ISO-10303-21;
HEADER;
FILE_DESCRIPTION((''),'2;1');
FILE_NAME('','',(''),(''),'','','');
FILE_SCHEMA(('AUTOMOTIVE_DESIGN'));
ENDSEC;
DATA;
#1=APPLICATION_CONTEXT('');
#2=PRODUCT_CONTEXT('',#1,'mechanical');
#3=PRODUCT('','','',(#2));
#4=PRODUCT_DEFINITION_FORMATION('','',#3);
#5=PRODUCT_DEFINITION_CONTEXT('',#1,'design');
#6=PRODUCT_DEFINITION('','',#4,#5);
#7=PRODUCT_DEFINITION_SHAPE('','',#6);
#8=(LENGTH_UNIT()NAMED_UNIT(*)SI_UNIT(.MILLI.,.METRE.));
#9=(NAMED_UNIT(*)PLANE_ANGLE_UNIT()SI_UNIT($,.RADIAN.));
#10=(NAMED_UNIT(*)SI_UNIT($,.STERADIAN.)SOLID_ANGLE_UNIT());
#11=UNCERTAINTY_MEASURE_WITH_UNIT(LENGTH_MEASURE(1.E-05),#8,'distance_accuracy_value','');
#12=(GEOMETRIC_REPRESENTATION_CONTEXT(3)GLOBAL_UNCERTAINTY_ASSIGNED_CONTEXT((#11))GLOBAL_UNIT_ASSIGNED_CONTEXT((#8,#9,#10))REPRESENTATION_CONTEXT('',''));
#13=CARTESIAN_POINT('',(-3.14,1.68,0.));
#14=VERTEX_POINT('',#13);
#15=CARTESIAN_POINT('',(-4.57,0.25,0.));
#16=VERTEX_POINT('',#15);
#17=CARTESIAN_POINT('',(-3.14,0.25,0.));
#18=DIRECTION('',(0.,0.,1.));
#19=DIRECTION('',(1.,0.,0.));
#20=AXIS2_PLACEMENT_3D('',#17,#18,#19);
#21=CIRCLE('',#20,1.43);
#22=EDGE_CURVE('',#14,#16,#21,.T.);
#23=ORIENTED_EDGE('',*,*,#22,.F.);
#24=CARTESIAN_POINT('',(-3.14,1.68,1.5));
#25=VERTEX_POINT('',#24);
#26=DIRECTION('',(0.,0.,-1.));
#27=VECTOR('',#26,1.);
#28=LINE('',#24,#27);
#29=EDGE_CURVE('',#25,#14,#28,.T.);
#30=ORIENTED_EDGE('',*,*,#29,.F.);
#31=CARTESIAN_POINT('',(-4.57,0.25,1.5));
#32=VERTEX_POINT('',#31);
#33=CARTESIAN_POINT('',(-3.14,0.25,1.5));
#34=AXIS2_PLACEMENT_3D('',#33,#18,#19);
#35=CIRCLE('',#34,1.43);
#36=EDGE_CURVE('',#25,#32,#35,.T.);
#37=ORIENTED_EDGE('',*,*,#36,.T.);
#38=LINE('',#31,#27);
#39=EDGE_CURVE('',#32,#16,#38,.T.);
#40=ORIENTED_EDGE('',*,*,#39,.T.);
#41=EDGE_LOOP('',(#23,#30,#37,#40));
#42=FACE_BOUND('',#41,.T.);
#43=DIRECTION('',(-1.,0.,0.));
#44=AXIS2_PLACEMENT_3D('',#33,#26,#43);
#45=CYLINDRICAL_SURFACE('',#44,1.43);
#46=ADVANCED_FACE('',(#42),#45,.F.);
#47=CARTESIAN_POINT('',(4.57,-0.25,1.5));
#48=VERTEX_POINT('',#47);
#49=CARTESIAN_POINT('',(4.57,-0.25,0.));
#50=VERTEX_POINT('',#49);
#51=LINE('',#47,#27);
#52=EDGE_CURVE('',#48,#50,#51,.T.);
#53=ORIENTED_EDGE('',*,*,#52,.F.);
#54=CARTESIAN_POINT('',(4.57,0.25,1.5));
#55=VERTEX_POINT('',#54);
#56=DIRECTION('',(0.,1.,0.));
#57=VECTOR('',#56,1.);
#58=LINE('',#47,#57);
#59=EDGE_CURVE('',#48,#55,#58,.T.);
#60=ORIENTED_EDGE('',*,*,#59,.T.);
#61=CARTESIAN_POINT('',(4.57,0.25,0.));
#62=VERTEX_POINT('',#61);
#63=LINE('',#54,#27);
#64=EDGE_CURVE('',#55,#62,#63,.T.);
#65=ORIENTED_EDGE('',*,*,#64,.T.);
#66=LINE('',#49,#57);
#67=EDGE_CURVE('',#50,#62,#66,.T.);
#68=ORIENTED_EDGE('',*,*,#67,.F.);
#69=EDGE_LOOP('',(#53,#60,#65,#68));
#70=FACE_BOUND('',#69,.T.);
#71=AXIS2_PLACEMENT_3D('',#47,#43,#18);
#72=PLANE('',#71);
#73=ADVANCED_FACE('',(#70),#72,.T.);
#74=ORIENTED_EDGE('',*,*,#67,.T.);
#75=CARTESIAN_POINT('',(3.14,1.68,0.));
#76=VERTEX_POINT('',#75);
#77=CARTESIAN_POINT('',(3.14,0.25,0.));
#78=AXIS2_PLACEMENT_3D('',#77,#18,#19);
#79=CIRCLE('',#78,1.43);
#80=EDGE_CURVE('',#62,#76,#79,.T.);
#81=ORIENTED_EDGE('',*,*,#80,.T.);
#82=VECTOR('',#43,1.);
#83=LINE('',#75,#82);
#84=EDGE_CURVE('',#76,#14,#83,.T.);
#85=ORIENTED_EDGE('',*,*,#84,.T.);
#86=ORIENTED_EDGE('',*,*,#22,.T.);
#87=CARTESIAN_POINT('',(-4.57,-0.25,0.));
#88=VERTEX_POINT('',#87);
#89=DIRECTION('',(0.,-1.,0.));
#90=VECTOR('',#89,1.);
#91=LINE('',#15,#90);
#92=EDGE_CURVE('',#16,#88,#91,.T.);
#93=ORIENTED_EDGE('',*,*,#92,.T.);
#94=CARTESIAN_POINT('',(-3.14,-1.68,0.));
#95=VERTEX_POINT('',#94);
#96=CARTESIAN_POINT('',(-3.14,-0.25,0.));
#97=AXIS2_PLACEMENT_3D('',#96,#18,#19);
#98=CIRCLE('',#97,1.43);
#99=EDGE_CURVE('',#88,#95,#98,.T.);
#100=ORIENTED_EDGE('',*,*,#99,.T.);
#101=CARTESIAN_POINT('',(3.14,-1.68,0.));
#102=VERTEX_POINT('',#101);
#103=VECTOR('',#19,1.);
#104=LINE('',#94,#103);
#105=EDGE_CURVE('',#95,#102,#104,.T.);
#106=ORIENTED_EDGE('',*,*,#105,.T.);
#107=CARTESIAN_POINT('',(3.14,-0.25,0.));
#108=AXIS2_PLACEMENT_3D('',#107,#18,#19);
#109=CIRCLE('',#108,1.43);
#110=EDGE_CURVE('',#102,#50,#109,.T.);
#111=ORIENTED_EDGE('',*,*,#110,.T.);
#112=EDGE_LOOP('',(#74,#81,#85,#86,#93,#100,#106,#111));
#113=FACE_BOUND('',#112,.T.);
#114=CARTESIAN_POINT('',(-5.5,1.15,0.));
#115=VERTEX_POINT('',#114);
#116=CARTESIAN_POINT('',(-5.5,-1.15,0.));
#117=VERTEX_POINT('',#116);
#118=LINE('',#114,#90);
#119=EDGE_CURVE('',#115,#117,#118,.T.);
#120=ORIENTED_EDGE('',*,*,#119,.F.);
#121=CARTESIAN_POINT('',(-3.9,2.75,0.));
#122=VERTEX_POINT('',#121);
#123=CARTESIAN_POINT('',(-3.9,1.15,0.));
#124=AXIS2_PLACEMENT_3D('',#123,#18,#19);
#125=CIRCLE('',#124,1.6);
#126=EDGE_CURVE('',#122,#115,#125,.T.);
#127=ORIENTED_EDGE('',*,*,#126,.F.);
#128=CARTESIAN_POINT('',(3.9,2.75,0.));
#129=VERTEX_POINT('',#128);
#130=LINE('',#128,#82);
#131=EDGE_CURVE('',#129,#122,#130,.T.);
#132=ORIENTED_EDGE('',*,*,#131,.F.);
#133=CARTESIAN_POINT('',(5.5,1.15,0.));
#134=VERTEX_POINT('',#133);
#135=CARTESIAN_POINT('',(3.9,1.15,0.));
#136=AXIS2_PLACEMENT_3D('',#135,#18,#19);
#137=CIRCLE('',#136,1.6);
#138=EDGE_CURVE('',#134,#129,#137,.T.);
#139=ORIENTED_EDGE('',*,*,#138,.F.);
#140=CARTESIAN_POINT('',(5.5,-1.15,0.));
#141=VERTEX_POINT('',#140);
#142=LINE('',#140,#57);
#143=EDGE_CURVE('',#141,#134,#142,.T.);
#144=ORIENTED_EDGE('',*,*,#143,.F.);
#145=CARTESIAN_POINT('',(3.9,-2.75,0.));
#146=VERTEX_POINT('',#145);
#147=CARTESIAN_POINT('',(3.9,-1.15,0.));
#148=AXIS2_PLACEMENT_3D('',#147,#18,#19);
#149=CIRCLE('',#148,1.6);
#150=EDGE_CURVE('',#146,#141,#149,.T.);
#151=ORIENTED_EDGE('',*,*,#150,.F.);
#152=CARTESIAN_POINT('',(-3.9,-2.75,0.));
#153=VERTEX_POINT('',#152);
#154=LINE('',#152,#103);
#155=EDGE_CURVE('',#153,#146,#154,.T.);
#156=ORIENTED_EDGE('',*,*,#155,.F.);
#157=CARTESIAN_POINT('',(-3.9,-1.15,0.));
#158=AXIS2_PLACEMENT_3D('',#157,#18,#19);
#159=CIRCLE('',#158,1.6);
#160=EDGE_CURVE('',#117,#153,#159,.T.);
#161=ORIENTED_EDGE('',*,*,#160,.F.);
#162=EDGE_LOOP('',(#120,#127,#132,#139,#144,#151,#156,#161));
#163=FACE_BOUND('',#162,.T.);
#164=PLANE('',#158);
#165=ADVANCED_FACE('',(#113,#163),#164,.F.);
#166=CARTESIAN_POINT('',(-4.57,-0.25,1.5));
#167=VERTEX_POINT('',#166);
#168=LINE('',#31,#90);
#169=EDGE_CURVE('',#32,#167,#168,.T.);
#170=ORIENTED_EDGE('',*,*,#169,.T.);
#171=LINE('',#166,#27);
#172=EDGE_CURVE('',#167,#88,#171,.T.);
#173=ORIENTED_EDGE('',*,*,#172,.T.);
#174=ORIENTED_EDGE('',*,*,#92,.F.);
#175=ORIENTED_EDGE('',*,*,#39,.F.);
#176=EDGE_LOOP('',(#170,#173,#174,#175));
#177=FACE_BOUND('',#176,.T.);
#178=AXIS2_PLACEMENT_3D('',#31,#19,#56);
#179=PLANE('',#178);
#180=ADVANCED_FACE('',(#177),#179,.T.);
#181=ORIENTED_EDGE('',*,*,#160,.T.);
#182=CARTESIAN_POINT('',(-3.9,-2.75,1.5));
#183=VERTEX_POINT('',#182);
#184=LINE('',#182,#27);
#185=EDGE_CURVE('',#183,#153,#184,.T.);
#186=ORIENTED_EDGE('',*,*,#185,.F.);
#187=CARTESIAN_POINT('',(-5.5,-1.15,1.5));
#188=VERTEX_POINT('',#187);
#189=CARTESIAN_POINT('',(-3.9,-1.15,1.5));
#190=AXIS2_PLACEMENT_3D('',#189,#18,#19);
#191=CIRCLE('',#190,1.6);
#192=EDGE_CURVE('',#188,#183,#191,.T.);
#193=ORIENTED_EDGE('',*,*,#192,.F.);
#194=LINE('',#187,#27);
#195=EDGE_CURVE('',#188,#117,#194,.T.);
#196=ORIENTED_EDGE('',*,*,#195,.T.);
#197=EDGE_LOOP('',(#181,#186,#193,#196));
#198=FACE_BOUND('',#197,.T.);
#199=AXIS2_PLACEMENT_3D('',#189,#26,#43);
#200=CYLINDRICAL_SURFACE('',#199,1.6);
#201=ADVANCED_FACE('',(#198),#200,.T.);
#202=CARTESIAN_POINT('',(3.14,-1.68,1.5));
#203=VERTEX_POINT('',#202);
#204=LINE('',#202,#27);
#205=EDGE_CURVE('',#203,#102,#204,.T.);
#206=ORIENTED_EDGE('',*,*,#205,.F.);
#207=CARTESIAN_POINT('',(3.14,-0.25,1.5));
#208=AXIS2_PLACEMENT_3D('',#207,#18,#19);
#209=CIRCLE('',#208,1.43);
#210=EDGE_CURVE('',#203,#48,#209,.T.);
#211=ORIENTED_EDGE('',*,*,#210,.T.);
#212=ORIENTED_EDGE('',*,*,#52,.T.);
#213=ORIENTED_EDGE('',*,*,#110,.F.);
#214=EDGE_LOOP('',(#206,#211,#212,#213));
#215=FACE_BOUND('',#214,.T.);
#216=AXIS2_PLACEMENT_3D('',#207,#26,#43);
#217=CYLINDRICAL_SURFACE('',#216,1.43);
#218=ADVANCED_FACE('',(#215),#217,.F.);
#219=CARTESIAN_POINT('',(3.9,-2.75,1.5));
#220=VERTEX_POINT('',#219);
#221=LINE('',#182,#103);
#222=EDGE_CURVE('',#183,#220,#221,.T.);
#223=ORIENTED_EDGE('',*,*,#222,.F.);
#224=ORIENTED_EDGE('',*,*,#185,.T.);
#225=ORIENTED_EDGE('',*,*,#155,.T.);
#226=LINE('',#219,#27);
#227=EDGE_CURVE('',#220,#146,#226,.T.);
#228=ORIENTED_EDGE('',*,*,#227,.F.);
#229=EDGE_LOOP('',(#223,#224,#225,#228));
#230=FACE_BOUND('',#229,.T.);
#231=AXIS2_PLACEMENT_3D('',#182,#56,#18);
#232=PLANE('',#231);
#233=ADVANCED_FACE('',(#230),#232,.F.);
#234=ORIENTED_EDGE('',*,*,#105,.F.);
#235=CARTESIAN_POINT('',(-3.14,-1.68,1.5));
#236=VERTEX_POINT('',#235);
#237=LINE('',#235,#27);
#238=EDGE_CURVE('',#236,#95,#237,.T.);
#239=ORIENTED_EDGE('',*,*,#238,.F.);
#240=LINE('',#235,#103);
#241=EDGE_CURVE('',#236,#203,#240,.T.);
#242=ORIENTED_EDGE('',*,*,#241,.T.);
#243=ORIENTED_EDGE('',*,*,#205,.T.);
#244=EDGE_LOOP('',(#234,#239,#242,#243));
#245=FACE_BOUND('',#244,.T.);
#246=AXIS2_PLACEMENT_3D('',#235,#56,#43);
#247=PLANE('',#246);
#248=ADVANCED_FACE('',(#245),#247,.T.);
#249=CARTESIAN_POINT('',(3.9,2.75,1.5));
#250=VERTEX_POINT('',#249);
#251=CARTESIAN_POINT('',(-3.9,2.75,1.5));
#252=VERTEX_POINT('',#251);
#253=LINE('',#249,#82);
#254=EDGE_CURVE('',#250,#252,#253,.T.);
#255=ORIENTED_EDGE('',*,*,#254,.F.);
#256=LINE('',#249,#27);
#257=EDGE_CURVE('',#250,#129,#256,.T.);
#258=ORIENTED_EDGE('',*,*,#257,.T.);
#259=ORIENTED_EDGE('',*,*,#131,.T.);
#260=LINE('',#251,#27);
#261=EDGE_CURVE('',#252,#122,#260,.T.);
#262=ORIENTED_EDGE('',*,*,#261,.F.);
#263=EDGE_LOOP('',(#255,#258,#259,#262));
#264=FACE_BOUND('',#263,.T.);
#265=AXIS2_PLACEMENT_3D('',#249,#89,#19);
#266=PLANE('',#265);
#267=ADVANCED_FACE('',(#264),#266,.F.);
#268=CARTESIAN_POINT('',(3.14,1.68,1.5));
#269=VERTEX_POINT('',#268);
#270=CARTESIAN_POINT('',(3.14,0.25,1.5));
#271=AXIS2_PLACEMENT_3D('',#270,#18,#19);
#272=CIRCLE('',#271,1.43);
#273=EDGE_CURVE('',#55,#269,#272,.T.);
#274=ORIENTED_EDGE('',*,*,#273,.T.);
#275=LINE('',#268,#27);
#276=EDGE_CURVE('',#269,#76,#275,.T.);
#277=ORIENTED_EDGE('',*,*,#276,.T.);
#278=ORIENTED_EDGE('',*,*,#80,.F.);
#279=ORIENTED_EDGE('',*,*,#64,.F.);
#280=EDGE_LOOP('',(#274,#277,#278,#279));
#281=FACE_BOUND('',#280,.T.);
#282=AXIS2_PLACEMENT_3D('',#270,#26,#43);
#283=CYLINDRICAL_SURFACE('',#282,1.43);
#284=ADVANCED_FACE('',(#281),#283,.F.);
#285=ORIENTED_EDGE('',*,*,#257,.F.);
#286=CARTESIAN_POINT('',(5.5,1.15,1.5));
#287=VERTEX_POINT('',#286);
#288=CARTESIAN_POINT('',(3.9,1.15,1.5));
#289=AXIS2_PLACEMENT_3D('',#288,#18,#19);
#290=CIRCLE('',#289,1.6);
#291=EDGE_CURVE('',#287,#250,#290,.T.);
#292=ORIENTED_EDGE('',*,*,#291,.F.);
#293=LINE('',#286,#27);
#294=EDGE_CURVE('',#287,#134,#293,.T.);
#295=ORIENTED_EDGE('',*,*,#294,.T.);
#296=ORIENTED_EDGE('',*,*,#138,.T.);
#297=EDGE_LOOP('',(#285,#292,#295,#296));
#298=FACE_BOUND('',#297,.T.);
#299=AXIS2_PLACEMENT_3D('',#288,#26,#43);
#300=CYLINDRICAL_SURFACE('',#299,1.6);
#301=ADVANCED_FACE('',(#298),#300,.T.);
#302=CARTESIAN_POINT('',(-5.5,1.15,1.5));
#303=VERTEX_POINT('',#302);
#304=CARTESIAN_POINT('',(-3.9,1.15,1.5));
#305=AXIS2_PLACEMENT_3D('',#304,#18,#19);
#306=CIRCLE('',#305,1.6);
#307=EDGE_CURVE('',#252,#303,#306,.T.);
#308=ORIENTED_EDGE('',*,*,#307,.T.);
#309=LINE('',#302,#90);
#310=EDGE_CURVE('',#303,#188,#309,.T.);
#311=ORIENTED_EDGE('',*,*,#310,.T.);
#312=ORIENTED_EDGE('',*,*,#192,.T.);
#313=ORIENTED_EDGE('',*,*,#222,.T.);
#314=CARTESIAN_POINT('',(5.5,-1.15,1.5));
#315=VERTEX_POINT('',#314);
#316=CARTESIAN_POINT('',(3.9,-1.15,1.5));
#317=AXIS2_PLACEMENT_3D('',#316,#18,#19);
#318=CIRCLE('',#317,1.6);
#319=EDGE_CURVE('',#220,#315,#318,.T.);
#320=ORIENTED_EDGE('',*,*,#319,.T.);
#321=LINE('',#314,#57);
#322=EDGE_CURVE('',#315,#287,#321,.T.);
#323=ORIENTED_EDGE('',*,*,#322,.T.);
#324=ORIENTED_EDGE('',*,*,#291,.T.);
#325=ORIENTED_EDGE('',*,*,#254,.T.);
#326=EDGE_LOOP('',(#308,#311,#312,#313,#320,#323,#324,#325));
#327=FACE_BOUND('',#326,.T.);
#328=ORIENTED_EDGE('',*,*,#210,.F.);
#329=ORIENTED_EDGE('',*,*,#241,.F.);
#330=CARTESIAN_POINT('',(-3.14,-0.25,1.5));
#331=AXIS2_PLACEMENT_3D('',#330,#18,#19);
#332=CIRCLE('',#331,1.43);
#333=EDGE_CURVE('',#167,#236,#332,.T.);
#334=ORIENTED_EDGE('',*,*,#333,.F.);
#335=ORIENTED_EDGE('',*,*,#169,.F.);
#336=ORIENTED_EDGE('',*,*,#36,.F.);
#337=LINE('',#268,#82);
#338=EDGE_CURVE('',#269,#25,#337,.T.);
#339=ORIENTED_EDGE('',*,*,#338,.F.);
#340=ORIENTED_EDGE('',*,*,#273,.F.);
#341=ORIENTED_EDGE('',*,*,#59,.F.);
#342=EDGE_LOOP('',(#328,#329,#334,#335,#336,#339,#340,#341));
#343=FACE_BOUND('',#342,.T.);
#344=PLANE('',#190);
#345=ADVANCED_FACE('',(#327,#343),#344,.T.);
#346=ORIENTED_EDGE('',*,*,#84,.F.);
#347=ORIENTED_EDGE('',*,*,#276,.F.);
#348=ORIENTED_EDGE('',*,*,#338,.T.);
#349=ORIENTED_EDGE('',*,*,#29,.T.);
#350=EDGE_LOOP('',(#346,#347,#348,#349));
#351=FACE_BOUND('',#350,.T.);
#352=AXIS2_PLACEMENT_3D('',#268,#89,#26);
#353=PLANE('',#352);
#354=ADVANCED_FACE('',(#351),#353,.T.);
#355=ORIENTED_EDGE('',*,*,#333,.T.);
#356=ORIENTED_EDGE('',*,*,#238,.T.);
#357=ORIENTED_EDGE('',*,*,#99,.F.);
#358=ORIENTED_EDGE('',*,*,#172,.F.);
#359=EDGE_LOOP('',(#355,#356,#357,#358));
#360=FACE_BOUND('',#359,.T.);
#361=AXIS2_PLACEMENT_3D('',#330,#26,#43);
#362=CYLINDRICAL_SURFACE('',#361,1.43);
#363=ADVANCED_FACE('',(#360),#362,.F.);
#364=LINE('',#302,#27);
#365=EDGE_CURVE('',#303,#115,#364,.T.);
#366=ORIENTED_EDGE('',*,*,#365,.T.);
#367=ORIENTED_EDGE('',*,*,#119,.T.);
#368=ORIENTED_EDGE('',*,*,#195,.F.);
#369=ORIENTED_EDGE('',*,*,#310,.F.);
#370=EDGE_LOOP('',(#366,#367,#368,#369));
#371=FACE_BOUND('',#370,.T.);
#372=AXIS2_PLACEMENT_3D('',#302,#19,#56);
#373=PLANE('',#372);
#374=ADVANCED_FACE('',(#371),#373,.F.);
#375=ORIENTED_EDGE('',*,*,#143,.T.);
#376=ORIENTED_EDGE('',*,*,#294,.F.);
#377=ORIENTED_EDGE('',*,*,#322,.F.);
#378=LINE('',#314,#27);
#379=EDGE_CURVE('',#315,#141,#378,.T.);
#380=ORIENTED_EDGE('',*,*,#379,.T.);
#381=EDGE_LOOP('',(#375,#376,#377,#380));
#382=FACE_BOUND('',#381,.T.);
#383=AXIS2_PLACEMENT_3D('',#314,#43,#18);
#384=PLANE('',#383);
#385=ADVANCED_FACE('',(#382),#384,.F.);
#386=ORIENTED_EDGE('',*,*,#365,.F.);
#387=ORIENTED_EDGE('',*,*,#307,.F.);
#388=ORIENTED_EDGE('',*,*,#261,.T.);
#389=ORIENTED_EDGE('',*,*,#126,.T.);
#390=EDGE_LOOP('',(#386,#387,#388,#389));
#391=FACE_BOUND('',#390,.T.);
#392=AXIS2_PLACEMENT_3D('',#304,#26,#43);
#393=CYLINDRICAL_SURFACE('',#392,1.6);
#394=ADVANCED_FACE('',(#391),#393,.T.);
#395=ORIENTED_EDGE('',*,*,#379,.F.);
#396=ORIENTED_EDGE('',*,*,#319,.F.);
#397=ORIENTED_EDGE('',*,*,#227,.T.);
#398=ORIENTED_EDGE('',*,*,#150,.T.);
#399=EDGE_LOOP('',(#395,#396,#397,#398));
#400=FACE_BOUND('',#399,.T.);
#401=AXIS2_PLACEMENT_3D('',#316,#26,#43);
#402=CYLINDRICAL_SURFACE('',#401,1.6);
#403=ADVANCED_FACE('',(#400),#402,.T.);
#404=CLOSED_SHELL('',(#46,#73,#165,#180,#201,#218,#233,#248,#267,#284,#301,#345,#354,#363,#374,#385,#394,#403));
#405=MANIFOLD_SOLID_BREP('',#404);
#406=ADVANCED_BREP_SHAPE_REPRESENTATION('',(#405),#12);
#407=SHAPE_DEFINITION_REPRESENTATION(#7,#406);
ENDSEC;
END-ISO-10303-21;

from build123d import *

# Parameters (mm, degrees)
BOSS_EXTRUDE1_DEPTH = 1.5


with BuildPart() as part:
    # Sketch1 → Boss-Extrude1 (new body)
    with BuildSketch(Plane.XY):
        with BuildLine():
            Line((-3.9, -2.75), (3.9, -2.75))
            ThreePointArc((3.9, -2.75), (5.03137085, -2.28137085), (5.5, -1.15))
            Line((5.5, -1.15), (5.5, 1.15))
            ThreePointArc((5.5, 1.15), (5.03137085, 2.28137085), (3.9, 2.75))
            Line((3.9, 2.75), (-3.9, 2.75))
            ThreePointArc((-3.9, 2.75), (-5.03137085, 2.28137085), (-5.5, 1.15))
            Line((-5.5, 1.15), (-5.5, -1.15))
            ThreePointArc((-5.5, -1.15), (-5.03137085, -2.28137085), (-3.9, -2.75))
        make_face()
        with BuildLine():
            Line((4.57, -0.25), (4.57, 0.25))
            ThreePointArc((4.57, 0.25), (4.151162697, 1.261162697), (3.14, 1.68))
            Line((3.14, 1.68), (-3.14, 1.68))
            ThreePointArc((-3.14, 1.68), (-4.151162697, 1.261162697), (-4.57, 0.25))
            Line((-4.57, 0.25), (-4.57, -0.25))
            ThreePointArc((-4.57, -0.25), (-4.151162697, -1.261162697), (-3.14, -1.68))
            Line((-3.14, -1.68), (3.14, -1.68))
            ThreePointArc((3.14, -1.68), (4.151162697, -1.261162697), (4.57, -0.25))
        make_face(mode=Mode.SUBTRACT)
    extrude(amount=BOSS_EXTRUDE1_DEPTH)


solid = part.part
